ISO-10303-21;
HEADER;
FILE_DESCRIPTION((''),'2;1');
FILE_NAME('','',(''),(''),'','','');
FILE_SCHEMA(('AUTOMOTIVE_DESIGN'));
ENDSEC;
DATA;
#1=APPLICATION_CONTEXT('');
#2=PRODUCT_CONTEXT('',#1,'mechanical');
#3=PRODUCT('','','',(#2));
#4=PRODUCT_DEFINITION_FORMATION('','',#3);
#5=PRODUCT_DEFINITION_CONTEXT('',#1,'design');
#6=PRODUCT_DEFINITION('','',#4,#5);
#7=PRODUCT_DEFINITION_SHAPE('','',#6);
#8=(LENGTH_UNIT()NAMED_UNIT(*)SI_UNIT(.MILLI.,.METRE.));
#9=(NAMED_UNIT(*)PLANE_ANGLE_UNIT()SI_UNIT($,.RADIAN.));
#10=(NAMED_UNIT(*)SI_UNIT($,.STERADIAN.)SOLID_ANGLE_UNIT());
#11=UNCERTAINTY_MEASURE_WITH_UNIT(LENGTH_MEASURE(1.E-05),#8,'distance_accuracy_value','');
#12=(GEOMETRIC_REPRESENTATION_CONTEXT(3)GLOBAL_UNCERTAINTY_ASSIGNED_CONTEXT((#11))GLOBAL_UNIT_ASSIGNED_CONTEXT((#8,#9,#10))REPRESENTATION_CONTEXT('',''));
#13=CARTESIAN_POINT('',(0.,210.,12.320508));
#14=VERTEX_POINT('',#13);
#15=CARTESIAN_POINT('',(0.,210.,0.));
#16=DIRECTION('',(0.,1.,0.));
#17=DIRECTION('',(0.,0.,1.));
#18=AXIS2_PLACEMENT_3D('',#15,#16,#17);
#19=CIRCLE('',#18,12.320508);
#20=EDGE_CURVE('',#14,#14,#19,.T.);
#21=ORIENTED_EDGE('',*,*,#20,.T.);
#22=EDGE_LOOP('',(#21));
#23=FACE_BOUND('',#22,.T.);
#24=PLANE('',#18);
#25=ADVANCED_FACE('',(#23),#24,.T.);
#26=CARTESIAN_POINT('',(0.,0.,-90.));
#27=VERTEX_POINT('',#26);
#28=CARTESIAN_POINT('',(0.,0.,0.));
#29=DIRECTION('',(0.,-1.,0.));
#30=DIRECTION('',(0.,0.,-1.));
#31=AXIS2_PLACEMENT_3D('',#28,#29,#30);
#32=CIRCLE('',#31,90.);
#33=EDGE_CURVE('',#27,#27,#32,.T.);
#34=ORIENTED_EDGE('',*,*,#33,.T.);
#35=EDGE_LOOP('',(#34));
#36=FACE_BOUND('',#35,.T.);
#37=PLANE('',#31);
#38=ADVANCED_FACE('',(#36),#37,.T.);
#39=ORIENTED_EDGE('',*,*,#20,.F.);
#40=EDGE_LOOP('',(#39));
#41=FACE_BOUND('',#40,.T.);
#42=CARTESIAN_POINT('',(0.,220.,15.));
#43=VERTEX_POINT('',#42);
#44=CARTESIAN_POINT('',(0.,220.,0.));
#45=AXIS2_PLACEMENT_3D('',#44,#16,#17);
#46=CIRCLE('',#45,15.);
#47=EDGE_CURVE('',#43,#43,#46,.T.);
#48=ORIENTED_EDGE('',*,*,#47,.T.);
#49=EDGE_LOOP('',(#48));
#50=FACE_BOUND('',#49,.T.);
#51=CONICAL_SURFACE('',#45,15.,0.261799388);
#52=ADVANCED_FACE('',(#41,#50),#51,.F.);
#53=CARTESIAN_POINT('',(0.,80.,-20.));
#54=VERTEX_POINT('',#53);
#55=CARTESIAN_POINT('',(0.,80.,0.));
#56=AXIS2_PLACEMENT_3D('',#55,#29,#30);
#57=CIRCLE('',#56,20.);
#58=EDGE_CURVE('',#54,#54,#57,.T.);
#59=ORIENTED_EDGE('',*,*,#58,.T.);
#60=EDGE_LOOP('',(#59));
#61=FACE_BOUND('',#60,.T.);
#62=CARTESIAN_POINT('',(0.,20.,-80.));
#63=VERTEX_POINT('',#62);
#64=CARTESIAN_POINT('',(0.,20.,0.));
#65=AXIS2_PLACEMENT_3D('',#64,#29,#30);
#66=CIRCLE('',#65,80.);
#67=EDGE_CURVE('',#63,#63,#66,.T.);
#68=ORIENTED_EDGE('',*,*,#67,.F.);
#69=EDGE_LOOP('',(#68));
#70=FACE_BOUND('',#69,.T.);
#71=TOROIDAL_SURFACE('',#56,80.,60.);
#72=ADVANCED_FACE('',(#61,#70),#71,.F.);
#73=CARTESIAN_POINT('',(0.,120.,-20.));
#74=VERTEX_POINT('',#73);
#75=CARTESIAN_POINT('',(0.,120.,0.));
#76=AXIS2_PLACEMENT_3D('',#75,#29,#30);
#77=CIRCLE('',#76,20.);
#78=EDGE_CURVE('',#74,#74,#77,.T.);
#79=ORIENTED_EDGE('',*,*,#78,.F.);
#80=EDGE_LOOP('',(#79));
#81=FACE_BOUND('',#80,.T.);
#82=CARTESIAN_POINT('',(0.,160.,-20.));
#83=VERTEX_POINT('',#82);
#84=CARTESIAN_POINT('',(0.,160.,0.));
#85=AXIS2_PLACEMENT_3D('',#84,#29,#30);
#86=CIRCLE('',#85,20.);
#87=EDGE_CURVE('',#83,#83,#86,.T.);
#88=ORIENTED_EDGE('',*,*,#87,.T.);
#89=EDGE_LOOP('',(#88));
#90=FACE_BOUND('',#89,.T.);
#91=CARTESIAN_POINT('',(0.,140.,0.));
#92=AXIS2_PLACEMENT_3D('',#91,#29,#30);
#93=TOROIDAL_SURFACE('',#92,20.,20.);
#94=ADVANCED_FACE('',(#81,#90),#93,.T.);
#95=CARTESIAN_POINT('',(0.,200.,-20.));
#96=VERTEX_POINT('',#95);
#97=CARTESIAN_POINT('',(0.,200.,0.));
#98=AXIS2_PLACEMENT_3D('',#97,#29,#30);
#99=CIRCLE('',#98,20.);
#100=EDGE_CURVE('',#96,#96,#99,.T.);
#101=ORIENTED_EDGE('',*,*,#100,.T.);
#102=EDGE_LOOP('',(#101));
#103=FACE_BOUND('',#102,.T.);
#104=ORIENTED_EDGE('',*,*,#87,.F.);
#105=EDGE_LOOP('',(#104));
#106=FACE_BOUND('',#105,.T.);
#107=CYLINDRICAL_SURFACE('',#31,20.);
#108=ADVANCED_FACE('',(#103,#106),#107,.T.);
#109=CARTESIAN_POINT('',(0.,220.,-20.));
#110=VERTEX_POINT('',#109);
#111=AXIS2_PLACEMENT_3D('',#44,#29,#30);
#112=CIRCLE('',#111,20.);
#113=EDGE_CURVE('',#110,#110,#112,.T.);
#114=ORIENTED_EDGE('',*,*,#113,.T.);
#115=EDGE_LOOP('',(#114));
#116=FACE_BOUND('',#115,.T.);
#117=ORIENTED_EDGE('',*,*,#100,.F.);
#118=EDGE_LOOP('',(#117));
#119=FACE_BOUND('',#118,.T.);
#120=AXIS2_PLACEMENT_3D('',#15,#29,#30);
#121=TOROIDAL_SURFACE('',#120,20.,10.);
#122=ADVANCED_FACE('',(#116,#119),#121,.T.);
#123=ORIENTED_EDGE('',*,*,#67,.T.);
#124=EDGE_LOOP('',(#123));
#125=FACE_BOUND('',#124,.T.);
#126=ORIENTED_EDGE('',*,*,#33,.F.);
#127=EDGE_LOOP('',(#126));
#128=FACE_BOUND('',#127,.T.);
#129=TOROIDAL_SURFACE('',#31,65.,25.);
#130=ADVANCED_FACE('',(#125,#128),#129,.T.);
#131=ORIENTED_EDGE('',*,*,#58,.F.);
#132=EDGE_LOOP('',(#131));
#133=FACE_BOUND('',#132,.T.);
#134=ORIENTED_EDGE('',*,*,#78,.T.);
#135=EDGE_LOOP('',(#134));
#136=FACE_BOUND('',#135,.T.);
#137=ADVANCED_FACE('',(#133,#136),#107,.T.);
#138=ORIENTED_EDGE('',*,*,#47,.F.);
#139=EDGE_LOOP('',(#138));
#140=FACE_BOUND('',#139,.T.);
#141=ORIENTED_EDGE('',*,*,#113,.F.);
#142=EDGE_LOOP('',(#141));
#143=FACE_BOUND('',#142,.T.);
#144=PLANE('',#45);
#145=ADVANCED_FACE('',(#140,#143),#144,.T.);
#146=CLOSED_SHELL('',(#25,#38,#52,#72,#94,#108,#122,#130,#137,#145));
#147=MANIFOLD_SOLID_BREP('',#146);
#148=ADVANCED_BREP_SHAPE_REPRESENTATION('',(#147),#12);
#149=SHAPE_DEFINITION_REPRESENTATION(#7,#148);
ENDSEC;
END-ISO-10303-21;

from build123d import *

# Parameters (mm, degrees)
SKETCH3_R          = 15
CUT_EXTRUDE1_DEPTH = 10
CUT_EXTRUDE1_DRAFT = -15


with BuildPart() as part:
    # Sketch1 → Revolve1 (revolve)
    with BuildSketch(Plane.XY, mode=Mode.PRIVATE) as revolve1_sk:
        with BuildLine():
            Line((0, 0), (0, 220))
            Line((0, 220), (20, 220))
            ThreePointArc((20, 220), (30, 210), (20, 200))
            Line((20, 200), (20, 160))
            ThreePointArc((20, 160), (40, 140), (20, 120))
            Line((20, 120), (20, 80))
            ThreePointArc((20, 80), (37.573593129, 37.573593129), (80, 20))
            ThreePointArc((80, 20), (87.360679775, 11.180339887), (90, 0))
            Line((90, 0), (0, 0))
        make_face()
    revolve(revolve1_sk.sketch.rotate(Axis((0, 0, 0), (0, 1, 0)), 90), axis=Axis((0, 0, 0), (0, 1, 0)))


with BuildPart() as cut_extrude1_tool:
    # Sketch3 → Cut-Extrude1 (with draft: the straight prism first)
    with BuildSketch(Plane(origin=(0, 220, 0), x_dir=(1, 0, 0), z_dir=(0, 1, 0))):
        Circle(SKETCH3_R)
    extrude(amount=-CUT_EXTRUDE1_DEPTH)
    # Cut-Extrude1: the draft: its side faces are tilted about the plane it starts from
    cut_extrude1_sides = [cut_extrude1_tool.faces().sort_by_distance(p)[0] for p in [
        (-15, 215, 0),
    ]]
    draft(cut_extrude1_sides, Plane(origin=(0, 220, 0), x_dir=(1, 0, 0), z_dir=(0, 1, 0)), CUT_EXTRUDE1_DRAFT)


with BuildPart() as part_1:
    add(part.part)

    # Cut-Extrude1: cut by cut_extrude1_tool
    add(cut_extrude1_tool.part, mode=Mode.SUBTRACT)


solid = part_1.part
